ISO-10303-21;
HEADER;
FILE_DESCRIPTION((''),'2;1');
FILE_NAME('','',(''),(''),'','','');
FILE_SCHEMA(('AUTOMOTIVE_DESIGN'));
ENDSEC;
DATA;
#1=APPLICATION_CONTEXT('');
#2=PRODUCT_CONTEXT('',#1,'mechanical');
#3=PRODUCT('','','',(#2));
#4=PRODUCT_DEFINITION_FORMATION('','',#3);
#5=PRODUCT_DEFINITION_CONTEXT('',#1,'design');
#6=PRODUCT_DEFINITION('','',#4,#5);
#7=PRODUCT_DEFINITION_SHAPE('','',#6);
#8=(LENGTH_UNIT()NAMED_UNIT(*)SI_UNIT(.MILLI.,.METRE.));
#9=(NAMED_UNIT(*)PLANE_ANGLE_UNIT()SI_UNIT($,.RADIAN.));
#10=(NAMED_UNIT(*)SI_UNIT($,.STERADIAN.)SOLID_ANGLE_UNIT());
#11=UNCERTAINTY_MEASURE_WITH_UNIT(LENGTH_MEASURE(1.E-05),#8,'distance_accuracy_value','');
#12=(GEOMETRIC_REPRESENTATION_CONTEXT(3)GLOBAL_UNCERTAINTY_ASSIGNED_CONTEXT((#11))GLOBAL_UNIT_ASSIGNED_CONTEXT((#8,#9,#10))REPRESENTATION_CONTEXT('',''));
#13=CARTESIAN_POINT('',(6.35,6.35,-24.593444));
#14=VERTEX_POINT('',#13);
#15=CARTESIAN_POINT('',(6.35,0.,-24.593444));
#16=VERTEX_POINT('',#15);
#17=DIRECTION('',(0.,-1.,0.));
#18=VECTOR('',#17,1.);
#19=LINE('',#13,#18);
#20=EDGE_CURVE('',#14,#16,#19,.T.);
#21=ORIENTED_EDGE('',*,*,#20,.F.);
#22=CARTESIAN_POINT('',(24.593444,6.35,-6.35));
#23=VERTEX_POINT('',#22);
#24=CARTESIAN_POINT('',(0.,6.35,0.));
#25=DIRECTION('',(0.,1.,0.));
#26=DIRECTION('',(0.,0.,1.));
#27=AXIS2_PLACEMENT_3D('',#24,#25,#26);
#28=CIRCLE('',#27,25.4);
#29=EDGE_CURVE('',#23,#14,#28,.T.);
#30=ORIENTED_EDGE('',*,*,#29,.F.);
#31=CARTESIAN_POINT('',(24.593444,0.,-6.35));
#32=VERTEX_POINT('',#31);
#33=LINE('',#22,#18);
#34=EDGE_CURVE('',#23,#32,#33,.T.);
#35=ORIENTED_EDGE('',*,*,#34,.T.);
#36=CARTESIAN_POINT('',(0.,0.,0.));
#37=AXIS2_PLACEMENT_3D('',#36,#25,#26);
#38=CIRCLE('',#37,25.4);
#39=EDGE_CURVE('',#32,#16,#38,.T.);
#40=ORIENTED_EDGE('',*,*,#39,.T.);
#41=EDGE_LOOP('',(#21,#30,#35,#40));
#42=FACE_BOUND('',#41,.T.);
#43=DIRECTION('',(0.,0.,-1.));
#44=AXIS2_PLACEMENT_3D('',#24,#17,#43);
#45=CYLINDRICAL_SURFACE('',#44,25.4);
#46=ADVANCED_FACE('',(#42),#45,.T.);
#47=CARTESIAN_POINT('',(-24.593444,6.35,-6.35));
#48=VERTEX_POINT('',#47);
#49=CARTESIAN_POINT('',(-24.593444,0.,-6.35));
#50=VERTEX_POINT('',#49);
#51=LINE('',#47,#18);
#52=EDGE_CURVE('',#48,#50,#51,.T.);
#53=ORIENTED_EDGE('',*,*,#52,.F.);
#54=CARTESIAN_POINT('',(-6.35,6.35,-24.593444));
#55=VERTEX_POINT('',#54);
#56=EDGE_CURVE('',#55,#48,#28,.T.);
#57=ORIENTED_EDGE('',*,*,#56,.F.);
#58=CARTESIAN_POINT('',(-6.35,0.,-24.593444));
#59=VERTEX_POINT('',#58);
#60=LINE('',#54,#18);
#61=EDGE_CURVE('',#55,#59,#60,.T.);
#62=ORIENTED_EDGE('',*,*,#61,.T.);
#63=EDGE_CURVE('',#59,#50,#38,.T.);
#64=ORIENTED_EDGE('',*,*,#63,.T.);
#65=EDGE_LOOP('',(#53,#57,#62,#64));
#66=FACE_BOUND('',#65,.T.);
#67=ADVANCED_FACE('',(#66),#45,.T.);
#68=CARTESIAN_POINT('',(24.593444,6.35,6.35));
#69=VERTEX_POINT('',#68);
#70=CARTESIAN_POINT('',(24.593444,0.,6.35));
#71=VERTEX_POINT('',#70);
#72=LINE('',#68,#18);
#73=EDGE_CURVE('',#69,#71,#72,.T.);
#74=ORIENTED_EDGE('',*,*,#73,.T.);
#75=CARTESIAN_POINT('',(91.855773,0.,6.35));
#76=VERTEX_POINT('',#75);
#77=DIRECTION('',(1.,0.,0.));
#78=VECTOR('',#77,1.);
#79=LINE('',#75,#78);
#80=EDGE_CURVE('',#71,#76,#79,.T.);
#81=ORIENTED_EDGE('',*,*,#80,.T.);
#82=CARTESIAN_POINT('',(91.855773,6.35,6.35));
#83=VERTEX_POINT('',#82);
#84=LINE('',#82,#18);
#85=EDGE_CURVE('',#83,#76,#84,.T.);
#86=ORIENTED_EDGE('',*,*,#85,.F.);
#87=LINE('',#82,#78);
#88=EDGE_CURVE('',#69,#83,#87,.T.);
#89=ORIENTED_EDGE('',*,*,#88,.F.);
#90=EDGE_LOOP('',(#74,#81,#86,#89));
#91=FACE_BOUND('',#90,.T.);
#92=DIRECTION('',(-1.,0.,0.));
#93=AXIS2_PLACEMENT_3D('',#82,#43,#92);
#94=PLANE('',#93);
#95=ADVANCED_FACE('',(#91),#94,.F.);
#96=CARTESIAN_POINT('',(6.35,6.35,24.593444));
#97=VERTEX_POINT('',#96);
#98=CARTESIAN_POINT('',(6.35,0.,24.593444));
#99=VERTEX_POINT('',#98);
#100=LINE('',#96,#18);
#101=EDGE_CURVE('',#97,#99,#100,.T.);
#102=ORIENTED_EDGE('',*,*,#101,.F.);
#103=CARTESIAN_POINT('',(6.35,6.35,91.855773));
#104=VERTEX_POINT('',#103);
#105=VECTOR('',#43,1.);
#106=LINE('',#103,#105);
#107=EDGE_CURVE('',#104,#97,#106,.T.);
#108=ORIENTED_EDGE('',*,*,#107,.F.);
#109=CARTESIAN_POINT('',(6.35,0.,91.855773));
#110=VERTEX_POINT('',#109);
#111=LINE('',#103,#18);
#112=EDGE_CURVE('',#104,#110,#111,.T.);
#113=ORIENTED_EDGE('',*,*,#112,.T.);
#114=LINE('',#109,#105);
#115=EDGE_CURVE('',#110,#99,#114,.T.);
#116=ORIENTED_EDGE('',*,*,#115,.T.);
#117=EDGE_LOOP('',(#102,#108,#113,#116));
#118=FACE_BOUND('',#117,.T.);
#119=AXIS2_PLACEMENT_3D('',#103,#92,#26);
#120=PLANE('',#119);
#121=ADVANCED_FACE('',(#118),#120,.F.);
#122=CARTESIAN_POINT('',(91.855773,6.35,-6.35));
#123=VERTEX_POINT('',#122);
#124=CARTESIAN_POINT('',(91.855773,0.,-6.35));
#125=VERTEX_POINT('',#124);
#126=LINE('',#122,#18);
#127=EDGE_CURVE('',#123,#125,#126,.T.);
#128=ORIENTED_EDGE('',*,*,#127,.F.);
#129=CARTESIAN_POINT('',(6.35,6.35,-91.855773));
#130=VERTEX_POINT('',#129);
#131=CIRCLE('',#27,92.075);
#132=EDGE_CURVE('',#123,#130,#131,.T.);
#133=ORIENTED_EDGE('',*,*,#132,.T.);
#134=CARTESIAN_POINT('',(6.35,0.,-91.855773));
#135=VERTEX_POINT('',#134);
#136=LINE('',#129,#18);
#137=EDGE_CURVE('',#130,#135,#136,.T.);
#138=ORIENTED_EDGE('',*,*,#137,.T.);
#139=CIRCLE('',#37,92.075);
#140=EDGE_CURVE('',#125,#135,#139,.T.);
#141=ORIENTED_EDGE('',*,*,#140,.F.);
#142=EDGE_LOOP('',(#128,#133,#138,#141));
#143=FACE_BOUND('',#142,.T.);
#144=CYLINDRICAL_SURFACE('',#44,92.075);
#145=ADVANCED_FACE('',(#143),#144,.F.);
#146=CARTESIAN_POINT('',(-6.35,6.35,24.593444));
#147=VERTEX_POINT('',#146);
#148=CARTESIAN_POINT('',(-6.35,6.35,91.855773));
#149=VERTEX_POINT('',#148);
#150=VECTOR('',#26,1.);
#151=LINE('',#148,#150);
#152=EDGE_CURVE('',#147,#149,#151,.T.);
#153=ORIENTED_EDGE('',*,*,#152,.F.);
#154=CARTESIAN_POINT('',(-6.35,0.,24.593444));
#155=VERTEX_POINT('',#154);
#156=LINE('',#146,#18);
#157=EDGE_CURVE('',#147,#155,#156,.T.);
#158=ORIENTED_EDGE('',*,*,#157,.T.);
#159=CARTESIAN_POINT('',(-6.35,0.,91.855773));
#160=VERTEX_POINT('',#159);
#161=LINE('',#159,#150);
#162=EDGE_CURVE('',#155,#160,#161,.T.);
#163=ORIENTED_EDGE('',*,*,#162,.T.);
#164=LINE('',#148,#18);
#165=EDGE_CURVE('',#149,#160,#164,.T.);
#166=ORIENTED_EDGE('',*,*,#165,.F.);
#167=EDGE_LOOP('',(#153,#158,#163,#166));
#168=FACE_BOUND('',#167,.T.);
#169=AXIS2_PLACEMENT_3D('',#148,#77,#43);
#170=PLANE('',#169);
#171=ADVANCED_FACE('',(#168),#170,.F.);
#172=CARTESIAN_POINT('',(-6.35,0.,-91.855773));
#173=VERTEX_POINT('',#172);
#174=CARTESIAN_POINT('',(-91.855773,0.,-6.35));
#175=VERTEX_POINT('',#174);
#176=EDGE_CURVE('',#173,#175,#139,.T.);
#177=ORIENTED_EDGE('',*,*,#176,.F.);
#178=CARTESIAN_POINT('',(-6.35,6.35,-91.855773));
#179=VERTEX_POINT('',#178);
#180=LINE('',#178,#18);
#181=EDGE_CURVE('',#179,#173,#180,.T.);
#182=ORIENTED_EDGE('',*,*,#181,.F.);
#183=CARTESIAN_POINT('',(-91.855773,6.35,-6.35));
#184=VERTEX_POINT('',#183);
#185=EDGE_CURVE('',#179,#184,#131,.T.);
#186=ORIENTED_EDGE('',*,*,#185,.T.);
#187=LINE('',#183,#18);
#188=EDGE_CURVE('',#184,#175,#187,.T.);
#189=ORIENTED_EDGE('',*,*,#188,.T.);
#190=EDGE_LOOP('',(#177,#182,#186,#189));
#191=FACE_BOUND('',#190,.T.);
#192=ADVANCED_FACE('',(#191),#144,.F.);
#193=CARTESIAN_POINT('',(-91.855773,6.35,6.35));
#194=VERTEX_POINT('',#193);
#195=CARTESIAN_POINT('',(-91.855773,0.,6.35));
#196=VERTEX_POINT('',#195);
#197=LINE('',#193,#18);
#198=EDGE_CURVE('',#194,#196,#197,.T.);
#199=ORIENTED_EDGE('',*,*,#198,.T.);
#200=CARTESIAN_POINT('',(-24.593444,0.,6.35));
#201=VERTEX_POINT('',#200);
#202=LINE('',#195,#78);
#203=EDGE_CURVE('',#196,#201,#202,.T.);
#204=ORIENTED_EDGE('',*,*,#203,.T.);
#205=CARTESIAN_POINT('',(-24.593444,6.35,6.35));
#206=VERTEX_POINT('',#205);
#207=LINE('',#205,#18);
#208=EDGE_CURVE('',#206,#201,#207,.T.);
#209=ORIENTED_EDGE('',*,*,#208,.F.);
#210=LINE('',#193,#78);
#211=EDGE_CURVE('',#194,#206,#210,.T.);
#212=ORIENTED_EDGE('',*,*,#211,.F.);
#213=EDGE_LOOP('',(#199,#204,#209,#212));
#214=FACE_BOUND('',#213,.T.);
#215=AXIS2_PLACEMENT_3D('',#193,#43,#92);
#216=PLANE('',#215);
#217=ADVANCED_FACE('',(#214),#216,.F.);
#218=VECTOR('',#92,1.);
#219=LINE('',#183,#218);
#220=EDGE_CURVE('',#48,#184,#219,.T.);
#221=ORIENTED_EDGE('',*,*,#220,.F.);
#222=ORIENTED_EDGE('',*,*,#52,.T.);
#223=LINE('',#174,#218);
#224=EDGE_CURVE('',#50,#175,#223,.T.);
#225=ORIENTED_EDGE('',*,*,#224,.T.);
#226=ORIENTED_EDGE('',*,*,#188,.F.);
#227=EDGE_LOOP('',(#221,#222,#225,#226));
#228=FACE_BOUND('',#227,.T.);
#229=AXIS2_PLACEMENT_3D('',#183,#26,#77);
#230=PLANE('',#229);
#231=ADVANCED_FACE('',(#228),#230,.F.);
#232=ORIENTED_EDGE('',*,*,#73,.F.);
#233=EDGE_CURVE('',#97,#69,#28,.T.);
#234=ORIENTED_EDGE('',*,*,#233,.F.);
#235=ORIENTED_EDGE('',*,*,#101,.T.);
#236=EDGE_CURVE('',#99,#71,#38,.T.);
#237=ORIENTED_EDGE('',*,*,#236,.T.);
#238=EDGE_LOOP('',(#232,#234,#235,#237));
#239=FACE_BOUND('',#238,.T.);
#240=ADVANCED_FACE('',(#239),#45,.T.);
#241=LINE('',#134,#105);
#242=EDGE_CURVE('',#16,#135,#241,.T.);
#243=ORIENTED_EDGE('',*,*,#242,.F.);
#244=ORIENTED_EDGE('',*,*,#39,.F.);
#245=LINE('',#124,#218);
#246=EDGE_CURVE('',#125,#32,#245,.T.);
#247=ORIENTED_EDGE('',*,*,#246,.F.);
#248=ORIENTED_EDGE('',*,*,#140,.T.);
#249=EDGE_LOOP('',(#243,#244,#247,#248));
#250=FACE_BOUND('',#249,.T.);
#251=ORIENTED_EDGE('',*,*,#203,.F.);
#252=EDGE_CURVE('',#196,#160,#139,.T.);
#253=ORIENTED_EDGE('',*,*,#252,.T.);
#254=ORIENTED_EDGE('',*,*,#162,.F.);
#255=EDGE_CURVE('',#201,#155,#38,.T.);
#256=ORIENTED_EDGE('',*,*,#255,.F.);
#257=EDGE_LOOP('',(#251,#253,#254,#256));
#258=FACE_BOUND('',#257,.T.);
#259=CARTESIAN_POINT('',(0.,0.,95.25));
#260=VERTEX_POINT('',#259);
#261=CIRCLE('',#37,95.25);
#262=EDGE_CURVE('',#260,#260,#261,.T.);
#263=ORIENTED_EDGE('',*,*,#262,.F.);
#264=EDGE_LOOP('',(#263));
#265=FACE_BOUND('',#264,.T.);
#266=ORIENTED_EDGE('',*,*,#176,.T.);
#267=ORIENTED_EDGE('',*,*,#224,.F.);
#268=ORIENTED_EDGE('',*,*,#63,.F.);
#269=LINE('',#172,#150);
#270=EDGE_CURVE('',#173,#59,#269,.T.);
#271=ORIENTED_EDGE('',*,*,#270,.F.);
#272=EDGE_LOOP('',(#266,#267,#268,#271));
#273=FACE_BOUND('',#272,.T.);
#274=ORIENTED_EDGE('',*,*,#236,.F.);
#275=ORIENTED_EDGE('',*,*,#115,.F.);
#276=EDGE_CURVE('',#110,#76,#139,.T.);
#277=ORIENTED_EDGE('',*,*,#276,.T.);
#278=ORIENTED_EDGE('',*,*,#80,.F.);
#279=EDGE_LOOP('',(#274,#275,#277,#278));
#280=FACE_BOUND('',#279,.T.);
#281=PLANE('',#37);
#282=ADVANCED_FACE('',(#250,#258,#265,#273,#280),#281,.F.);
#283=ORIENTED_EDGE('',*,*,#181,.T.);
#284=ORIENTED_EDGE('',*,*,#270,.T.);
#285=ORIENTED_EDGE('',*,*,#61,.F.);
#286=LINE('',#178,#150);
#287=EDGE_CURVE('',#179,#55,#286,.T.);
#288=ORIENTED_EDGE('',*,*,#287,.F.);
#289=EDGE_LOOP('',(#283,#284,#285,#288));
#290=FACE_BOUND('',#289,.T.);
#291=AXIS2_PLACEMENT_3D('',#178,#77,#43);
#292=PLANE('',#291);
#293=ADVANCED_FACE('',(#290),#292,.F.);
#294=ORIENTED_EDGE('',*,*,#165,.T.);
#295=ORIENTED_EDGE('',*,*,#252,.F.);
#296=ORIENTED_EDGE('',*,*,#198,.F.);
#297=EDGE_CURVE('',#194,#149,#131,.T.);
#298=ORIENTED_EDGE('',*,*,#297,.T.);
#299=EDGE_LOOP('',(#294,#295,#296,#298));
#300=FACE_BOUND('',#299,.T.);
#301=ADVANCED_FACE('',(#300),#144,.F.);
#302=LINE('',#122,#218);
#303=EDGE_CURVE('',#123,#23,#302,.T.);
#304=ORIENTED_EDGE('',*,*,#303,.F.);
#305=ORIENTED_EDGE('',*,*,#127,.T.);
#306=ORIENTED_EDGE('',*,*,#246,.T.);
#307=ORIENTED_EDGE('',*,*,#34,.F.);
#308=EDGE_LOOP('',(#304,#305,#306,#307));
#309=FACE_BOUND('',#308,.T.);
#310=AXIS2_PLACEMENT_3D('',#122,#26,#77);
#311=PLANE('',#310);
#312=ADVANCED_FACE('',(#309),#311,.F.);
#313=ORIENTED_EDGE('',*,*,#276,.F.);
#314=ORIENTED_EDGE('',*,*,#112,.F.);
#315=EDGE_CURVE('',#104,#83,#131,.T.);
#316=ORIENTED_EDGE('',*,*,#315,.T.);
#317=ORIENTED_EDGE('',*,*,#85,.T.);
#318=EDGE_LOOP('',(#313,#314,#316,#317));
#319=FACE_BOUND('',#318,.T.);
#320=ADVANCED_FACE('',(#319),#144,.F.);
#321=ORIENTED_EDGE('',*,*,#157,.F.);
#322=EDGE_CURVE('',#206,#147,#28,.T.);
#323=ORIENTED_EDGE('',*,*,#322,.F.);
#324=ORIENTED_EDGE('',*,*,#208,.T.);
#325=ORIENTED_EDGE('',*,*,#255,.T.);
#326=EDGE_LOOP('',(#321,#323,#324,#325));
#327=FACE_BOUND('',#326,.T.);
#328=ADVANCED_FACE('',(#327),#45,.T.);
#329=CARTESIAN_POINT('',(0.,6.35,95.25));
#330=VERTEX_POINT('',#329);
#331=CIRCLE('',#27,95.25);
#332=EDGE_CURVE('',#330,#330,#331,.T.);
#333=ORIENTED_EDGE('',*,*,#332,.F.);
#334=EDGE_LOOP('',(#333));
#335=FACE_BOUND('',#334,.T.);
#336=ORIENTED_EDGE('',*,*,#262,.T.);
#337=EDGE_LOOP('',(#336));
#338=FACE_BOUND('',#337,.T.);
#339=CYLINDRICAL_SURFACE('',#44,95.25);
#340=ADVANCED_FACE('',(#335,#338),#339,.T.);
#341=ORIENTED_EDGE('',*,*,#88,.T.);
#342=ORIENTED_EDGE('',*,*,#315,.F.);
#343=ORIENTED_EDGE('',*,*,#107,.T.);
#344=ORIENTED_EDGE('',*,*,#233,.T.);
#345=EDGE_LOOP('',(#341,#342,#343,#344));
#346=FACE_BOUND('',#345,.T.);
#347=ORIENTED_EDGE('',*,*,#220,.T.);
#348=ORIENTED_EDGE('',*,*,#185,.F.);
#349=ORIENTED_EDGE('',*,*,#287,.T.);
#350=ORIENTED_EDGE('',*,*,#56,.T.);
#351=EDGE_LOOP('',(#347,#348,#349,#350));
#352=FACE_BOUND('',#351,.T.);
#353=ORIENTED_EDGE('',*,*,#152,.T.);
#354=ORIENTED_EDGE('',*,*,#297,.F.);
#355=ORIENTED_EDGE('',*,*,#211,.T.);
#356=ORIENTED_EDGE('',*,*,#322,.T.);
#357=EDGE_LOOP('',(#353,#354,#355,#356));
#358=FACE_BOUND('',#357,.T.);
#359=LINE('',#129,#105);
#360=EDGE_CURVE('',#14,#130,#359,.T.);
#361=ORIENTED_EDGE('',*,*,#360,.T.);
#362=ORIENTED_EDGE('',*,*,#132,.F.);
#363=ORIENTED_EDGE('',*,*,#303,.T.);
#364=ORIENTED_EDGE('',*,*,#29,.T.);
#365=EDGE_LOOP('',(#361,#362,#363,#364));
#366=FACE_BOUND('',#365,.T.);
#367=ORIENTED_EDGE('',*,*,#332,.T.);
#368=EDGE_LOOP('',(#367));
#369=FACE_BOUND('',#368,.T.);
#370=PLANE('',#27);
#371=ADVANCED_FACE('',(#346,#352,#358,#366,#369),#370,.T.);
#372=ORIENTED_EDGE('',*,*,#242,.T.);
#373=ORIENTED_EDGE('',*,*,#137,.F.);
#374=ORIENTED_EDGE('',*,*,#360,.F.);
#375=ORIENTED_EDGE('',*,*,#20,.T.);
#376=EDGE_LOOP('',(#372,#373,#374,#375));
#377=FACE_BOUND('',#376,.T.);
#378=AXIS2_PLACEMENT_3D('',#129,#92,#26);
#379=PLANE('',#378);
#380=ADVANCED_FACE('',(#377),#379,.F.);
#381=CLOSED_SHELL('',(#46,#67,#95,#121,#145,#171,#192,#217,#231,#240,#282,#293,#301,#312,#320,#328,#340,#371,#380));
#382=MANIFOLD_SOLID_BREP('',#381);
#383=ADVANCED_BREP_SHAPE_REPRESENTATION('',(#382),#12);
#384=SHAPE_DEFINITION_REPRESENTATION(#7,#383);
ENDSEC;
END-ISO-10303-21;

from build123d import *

# Parameters (mm, degrees)
BEAM_DEPTH        = 6.35
CENTER_R          = 25.4
CENTER1_DEPTH     = 6.35
RING_R            = 95.25
RING_R_2          = 92.075
RING1_DEPTH       = 6.35
CIRPATTERN3_COUNT = 4


with BuildPart() as part:
    # Beams → Beam (new body)
    with BuildSketch(Plane(origin=(0, 0, 0), x_dir=(1, 0, 0), z_dir=(0, 1, 0))):
        with BuildLine():
            Line((-91.855773498, 6.35), (-24.593444248, 6.35))
            ThreePointArc((-24.593444248, 6.35), (-25.4, 0), (-24.593444248, -6.35))
            Line((-24.593444248, -6.35), (-91.855773498, -6.35))
            ThreePointArc((-91.855773498, -6.35), (-92.075, 0), (-91.855773498, 6.35))
        make_face()
    beam = extrude(amount=BEAM_DEPTH)

    # Center → Center1 (add)
    with BuildSketch(Plane(origin=(0, 0, 0), x_dir=(1, 0, 0), z_dir=(0, 1, 0))):
        Circle(CENTER_R)
    extrude(amount=CENTER1_DEPTH)

    # Ring → Ring1 (add)
    with BuildSketch(Plane(origin=(0, 0, 0), x_dir=(1, 0, 0), z_dir=(0, 1, 0))):
        Circle(RING_R)
        Circle(RING_R_2, mode=Mode.SUBTRACT)
    extrude(amount=RING1_DEPTH)

    # CirPattern3: Beam ×4 about axis
    cirpattern3_axis = Axis((0, 0, 0), (0, 1, 0))
    for i in range(1, CIRPATTERN3_COUNT):
        add(beam.rotate(cirpattern3_axis, i * 360 / CIRPATTERN3_COUNT))


solid = part.part
